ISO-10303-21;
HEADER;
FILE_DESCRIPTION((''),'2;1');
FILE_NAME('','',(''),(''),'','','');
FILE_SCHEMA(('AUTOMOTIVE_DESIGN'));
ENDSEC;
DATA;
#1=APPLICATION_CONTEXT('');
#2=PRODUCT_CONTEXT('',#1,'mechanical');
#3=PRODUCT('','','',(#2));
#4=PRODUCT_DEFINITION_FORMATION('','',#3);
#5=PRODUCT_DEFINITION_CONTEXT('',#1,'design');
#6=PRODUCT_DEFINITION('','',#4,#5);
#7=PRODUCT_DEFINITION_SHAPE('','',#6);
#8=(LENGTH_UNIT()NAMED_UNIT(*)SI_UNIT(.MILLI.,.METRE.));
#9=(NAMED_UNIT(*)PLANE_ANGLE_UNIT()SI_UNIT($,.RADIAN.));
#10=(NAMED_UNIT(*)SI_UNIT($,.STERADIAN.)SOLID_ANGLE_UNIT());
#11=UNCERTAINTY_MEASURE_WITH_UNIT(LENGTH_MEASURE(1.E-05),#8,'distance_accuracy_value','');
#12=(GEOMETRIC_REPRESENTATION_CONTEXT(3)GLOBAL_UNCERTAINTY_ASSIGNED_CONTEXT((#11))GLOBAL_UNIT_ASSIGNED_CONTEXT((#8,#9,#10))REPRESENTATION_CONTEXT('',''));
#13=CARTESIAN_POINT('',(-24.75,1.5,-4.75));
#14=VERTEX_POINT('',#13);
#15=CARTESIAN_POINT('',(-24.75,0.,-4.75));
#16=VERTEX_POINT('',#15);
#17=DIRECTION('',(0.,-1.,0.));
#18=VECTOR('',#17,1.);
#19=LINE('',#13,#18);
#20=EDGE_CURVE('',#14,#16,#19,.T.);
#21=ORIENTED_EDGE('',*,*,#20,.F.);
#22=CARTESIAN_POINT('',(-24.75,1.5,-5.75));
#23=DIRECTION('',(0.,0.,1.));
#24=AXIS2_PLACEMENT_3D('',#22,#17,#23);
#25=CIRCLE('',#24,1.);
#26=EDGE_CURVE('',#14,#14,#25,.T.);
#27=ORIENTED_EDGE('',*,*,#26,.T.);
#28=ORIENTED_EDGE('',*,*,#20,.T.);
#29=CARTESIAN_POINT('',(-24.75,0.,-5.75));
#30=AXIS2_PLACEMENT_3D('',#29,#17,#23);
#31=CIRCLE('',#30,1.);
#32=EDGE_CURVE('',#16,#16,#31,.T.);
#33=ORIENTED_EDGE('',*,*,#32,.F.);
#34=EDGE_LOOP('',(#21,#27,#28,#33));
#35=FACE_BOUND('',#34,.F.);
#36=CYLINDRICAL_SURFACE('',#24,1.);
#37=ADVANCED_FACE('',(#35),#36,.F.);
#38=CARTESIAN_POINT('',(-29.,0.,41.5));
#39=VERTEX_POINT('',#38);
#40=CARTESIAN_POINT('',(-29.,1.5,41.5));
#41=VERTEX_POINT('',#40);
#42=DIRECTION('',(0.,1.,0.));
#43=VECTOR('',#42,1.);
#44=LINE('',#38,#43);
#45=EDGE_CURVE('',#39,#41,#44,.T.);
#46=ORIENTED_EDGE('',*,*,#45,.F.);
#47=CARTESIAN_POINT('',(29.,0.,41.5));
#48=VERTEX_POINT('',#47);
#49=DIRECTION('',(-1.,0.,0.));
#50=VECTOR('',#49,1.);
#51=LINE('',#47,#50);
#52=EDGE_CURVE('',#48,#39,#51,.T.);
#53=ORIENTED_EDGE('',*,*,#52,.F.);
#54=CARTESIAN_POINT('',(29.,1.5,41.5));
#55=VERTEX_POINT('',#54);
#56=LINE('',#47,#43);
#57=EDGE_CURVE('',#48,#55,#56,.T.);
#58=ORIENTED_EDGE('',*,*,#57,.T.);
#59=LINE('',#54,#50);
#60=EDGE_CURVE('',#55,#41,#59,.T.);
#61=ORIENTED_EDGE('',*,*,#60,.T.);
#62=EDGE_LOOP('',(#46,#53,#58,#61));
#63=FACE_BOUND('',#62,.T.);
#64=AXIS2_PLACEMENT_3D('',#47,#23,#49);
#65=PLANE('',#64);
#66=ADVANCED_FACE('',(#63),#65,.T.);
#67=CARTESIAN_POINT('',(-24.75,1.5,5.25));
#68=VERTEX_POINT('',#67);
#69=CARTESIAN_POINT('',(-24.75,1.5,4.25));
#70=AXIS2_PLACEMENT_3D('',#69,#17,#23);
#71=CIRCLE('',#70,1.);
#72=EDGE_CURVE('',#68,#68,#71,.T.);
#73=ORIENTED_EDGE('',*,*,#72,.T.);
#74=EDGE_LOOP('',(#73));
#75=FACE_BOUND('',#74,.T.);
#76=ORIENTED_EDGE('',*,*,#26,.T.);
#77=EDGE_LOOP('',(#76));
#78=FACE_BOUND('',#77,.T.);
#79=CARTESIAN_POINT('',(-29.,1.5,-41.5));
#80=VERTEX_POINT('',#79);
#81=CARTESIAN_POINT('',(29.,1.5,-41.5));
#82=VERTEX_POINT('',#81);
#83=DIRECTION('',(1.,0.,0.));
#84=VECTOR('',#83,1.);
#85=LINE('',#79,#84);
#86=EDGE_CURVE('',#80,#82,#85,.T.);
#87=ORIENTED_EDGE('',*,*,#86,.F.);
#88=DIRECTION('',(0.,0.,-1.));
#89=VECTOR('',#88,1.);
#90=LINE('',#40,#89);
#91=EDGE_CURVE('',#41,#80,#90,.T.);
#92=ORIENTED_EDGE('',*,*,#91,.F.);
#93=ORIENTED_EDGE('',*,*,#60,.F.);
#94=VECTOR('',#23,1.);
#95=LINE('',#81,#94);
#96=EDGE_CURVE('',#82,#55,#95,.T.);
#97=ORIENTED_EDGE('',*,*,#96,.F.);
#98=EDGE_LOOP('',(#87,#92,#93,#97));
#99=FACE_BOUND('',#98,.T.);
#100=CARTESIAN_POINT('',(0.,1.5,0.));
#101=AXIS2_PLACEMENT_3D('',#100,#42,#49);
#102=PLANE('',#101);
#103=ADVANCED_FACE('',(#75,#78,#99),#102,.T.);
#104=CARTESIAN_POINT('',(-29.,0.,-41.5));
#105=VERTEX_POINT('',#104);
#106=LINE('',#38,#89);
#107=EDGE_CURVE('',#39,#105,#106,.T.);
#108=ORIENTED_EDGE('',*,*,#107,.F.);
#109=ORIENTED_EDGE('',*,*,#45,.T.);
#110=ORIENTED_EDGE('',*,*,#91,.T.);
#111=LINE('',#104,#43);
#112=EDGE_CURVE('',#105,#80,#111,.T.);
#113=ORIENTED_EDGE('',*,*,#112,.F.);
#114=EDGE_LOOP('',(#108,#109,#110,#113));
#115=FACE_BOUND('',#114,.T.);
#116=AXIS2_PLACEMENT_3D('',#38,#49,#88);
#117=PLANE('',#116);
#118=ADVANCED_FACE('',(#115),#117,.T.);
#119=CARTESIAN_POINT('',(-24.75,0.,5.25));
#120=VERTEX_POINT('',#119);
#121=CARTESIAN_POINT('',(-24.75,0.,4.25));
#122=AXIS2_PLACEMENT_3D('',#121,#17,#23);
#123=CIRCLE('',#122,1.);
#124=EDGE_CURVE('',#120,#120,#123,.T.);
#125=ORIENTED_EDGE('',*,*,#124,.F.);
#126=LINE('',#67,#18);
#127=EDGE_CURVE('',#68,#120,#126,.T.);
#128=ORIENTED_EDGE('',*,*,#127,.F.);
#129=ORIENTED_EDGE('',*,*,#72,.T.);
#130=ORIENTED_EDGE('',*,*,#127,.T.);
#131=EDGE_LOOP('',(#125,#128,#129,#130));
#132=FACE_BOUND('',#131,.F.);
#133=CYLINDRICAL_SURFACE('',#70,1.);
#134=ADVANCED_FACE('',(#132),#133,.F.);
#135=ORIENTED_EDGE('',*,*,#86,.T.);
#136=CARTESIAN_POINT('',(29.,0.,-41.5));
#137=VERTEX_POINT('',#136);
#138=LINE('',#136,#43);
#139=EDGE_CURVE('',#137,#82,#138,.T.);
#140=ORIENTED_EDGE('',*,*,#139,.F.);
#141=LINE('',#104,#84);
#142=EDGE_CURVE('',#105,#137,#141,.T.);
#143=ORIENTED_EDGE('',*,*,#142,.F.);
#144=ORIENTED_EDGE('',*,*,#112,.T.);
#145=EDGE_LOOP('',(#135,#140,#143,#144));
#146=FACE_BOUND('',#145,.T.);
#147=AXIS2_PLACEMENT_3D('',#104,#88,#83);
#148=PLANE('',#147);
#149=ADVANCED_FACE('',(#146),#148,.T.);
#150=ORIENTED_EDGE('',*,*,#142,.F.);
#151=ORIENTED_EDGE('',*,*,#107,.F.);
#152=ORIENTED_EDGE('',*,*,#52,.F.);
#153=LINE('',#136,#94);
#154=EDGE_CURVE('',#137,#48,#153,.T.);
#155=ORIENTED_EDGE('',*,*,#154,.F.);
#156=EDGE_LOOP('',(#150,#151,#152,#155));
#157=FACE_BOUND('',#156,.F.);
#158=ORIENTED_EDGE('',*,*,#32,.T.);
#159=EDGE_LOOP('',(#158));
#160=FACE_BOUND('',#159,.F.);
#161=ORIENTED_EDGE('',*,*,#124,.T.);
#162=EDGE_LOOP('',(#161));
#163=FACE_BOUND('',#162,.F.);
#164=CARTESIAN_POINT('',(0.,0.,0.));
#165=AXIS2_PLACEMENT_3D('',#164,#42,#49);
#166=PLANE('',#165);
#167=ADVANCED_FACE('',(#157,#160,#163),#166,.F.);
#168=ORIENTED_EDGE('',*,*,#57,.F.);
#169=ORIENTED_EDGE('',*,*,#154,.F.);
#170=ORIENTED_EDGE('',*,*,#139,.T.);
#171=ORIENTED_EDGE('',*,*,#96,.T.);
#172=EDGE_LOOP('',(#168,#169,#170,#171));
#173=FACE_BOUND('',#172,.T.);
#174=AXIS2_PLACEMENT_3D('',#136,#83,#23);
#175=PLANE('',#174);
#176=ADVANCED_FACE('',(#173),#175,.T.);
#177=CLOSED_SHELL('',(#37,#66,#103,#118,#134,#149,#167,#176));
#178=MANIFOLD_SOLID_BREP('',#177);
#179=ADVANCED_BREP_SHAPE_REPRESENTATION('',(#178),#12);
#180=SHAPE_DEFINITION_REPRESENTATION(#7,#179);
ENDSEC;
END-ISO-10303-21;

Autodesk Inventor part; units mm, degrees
ref_plane "YZ Plane" through (0, 0, 0) normal (1, 0, 0) x (0, 1, 0)
ref_plane "XZ Plane" through (0, 0, 0) normal (0, 1, 0) x (-1, 0, 0)
ref_plane "XY Plane" through (0, 0, 0) normal (0, 0, 1) x (1, 0, 0)
sketch "Sketch1" plane through (0, 0, 0) normal (0, 1, 0) x (-1, 0, 0)
  line L0 (-29, 41.5) -> (29, 41.5)
  line L1 (29, 41.5) -> (29, -41.5)
  line L2 (29, -41.5) -> (-29, -41.5)
  line L3 (-29, -41.5) -> (-29, 41.5)
  line L4 (-29, 41.5) -> (29, -41.5) construction
  line L5 (29, 41.5) -> (-29, -41.5) construction
  point P0 (0, 0)
  dimension "d0" = 83
  dimension "d1" = 58
extrude "Extrusion1" add sketch "Sketch1" along normal blind 1.5
sketch "Sketch2" plane through (0, 1.5, 0) normal (0, 1, 0) x (1, 0, 0)
  line L0 (-29, 41.5) -> (-29, -41.5) projected
  point P0 (0, 0)
  point P1 (-24.75, 5.75)
  point P2 (-24.75, -4.25)
  point P3 (-29, 0)
  dimension "d11" = 10
  dimension "d12" = 4.25
  dimension "d13" = 4.25
  dimension "d14" = 5.75
hole "Hole1" at (-24.75, 1.5, -5.75) at (-24.75, 1.5, 4.25) direction (0, -1, 0) diameter 2 end through all
properties part number "pcb" material "PBT Plastic"
